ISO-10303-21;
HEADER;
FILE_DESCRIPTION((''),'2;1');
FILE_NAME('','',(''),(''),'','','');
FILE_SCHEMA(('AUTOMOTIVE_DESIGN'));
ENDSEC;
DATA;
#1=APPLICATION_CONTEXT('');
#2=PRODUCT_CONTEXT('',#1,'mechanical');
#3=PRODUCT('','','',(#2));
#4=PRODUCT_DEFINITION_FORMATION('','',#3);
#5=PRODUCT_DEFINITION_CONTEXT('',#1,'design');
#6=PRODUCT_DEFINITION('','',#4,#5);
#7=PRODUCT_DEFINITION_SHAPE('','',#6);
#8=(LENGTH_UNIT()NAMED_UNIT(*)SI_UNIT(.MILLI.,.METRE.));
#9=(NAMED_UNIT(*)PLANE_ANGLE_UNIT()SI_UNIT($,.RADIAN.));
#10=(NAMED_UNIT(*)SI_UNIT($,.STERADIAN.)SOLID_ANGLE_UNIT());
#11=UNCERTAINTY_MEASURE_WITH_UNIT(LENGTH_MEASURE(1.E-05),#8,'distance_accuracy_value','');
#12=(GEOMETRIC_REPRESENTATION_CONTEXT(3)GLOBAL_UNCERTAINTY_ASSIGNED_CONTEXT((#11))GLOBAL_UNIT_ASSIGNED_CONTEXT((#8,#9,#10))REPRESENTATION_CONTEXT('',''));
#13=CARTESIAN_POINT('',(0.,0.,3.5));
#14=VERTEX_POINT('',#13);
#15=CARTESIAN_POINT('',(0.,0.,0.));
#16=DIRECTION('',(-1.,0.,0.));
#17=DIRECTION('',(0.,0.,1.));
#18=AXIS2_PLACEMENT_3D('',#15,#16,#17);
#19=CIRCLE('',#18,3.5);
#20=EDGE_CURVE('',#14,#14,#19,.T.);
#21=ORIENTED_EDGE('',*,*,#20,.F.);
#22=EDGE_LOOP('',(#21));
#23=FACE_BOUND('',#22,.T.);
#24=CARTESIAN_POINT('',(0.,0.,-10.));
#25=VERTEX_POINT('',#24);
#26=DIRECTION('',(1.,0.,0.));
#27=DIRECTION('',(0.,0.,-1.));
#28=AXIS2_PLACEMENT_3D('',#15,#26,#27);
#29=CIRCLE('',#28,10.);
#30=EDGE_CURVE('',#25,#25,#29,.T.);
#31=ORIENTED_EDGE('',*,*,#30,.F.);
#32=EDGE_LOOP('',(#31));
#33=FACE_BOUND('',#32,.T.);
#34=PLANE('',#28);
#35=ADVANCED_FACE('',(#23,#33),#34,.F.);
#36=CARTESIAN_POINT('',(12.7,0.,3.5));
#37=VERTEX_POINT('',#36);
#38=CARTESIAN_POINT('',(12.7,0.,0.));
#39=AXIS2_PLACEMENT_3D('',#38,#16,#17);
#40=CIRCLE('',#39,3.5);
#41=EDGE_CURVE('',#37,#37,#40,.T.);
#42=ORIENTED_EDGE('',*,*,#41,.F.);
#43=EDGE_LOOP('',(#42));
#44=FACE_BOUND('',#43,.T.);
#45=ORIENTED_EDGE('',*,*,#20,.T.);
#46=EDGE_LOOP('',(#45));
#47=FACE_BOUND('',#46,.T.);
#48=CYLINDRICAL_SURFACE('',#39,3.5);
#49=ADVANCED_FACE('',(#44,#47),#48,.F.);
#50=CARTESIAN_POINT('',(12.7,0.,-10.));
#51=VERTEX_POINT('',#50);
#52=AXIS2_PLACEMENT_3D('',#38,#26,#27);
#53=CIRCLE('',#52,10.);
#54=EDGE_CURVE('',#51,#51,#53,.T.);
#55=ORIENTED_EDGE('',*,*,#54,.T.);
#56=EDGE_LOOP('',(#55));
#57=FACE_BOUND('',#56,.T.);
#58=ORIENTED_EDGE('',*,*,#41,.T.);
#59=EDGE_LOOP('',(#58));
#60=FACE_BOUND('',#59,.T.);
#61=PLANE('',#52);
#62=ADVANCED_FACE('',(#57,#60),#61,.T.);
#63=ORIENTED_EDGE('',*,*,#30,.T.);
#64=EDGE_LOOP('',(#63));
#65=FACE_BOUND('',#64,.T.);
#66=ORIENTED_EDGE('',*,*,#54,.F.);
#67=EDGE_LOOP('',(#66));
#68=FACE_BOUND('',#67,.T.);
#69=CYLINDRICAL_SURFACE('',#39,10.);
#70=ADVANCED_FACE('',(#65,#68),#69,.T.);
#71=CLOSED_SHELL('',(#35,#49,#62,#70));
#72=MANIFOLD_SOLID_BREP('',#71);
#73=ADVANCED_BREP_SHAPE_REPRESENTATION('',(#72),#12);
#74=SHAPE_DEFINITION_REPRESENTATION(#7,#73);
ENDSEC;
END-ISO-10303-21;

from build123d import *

# Parameters (mm, degrees)
SKETCH1_R           = 10
BOSS_EXTRUDE1_DEPTH = 12.7
SKETCH2_R           = 3.5
CUT_EXTRUDE1_DEPTH  = 12.7


with BuildPart() as part:
    # Sketch1 → Boss-Extrude1 (new body)
    with BuildSketch(Plane(origin=(0, 0, 0), x_dir=(0, 0, -1), z_dir=(1, 0, 0))):
        Circle(SKETCH1_R)
    extrude(amount=BOSS_EXTRUDE1_DEPTH)

    # Sketch2 → Cut-Extrude1 (cut)
    with BuildSketch(Plane.ZY):
        Circle(SKETCH2_R)
    extrude(amount=-CUT_EXTRUDE1_DEPTH, mode=Mode.SUBTRACT)


solid = part.part
